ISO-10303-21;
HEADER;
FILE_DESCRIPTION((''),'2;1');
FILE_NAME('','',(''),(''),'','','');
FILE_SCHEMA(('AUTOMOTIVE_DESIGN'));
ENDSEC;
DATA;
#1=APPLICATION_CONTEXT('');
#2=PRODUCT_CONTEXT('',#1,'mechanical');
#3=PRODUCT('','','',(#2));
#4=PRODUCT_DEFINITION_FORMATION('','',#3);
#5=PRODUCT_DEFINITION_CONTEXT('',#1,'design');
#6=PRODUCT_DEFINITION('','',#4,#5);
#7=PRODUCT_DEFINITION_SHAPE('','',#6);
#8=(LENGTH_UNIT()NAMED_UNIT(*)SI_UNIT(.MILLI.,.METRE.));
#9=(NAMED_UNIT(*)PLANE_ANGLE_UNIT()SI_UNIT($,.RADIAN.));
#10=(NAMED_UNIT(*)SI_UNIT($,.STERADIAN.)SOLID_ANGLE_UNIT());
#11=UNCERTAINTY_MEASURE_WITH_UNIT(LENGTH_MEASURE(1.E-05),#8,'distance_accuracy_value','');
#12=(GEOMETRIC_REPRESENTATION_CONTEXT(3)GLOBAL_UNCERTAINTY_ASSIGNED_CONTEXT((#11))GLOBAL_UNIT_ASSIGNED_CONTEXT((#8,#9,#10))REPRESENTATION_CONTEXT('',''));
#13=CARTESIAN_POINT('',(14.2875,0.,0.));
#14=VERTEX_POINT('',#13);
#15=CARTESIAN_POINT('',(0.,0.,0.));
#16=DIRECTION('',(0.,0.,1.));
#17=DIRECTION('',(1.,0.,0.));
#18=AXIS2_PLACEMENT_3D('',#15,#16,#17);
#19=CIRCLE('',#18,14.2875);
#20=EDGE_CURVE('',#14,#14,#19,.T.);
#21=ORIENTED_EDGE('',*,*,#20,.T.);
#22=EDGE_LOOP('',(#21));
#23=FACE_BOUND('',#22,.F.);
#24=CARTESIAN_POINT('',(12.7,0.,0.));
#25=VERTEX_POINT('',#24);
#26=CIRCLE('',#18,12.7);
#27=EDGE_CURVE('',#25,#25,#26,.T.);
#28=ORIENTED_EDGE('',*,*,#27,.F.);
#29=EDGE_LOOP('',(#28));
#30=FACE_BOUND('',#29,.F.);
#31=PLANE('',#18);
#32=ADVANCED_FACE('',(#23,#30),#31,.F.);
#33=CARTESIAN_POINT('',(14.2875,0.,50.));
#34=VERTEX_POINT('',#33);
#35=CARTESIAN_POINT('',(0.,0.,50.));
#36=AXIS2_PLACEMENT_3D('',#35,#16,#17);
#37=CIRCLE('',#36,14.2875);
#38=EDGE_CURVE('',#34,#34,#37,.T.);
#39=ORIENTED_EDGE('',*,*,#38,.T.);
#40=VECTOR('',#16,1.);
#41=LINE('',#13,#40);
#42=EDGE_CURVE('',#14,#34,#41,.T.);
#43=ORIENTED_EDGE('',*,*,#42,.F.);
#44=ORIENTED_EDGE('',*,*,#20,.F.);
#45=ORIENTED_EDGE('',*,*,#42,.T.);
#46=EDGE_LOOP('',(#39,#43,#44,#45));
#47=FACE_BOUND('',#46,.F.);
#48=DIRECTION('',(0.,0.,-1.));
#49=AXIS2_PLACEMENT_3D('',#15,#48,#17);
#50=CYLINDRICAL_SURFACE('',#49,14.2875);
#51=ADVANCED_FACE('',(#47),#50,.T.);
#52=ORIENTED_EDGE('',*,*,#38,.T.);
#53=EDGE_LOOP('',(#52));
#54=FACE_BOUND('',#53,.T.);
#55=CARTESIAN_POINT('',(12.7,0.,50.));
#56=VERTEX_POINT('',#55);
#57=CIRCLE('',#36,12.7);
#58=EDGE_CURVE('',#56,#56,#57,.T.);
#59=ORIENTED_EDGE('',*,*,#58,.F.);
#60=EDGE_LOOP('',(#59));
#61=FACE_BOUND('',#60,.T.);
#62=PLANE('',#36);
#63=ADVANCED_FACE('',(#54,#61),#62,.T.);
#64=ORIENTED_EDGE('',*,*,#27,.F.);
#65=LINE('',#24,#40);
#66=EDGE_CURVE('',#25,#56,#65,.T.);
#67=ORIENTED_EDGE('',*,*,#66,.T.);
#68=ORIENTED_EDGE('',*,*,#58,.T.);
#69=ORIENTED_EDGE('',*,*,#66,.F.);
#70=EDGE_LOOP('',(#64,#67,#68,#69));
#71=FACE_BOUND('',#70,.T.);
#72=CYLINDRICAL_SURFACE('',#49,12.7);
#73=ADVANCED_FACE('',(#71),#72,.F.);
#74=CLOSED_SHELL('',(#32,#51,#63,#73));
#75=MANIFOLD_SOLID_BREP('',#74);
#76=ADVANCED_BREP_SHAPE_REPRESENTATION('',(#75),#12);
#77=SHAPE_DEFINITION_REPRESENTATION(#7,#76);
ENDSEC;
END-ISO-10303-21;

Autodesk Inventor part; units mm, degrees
ref_plane "YZ Plane" through (0, 0, 0) normal (1, 0, 0) x (0, 1, 0)
ref_plane "XZ Plane" through (0, 0, 0) normal (0, 1, 0) x (-1, 0, 0)
ref_plane "XY Plane" through (0, 0, 0) normal (0, 0, 1) x (1, 0, 0)
sketch "Sketch1" plane through (0, 0, 0) normal (0, 0, 1) x (1, 0, 0)
  circle A0 centre (0, 0) radius 12.7
  circle A1 centre (0, 0) radius 14.2875
  dimension "d0" = 28.575
  dimension "d1" = 25.4
extrude "Extrusion1" add sketch "Sketch1" along normal blind 50
properties part number "TailBoomReinforcement"
